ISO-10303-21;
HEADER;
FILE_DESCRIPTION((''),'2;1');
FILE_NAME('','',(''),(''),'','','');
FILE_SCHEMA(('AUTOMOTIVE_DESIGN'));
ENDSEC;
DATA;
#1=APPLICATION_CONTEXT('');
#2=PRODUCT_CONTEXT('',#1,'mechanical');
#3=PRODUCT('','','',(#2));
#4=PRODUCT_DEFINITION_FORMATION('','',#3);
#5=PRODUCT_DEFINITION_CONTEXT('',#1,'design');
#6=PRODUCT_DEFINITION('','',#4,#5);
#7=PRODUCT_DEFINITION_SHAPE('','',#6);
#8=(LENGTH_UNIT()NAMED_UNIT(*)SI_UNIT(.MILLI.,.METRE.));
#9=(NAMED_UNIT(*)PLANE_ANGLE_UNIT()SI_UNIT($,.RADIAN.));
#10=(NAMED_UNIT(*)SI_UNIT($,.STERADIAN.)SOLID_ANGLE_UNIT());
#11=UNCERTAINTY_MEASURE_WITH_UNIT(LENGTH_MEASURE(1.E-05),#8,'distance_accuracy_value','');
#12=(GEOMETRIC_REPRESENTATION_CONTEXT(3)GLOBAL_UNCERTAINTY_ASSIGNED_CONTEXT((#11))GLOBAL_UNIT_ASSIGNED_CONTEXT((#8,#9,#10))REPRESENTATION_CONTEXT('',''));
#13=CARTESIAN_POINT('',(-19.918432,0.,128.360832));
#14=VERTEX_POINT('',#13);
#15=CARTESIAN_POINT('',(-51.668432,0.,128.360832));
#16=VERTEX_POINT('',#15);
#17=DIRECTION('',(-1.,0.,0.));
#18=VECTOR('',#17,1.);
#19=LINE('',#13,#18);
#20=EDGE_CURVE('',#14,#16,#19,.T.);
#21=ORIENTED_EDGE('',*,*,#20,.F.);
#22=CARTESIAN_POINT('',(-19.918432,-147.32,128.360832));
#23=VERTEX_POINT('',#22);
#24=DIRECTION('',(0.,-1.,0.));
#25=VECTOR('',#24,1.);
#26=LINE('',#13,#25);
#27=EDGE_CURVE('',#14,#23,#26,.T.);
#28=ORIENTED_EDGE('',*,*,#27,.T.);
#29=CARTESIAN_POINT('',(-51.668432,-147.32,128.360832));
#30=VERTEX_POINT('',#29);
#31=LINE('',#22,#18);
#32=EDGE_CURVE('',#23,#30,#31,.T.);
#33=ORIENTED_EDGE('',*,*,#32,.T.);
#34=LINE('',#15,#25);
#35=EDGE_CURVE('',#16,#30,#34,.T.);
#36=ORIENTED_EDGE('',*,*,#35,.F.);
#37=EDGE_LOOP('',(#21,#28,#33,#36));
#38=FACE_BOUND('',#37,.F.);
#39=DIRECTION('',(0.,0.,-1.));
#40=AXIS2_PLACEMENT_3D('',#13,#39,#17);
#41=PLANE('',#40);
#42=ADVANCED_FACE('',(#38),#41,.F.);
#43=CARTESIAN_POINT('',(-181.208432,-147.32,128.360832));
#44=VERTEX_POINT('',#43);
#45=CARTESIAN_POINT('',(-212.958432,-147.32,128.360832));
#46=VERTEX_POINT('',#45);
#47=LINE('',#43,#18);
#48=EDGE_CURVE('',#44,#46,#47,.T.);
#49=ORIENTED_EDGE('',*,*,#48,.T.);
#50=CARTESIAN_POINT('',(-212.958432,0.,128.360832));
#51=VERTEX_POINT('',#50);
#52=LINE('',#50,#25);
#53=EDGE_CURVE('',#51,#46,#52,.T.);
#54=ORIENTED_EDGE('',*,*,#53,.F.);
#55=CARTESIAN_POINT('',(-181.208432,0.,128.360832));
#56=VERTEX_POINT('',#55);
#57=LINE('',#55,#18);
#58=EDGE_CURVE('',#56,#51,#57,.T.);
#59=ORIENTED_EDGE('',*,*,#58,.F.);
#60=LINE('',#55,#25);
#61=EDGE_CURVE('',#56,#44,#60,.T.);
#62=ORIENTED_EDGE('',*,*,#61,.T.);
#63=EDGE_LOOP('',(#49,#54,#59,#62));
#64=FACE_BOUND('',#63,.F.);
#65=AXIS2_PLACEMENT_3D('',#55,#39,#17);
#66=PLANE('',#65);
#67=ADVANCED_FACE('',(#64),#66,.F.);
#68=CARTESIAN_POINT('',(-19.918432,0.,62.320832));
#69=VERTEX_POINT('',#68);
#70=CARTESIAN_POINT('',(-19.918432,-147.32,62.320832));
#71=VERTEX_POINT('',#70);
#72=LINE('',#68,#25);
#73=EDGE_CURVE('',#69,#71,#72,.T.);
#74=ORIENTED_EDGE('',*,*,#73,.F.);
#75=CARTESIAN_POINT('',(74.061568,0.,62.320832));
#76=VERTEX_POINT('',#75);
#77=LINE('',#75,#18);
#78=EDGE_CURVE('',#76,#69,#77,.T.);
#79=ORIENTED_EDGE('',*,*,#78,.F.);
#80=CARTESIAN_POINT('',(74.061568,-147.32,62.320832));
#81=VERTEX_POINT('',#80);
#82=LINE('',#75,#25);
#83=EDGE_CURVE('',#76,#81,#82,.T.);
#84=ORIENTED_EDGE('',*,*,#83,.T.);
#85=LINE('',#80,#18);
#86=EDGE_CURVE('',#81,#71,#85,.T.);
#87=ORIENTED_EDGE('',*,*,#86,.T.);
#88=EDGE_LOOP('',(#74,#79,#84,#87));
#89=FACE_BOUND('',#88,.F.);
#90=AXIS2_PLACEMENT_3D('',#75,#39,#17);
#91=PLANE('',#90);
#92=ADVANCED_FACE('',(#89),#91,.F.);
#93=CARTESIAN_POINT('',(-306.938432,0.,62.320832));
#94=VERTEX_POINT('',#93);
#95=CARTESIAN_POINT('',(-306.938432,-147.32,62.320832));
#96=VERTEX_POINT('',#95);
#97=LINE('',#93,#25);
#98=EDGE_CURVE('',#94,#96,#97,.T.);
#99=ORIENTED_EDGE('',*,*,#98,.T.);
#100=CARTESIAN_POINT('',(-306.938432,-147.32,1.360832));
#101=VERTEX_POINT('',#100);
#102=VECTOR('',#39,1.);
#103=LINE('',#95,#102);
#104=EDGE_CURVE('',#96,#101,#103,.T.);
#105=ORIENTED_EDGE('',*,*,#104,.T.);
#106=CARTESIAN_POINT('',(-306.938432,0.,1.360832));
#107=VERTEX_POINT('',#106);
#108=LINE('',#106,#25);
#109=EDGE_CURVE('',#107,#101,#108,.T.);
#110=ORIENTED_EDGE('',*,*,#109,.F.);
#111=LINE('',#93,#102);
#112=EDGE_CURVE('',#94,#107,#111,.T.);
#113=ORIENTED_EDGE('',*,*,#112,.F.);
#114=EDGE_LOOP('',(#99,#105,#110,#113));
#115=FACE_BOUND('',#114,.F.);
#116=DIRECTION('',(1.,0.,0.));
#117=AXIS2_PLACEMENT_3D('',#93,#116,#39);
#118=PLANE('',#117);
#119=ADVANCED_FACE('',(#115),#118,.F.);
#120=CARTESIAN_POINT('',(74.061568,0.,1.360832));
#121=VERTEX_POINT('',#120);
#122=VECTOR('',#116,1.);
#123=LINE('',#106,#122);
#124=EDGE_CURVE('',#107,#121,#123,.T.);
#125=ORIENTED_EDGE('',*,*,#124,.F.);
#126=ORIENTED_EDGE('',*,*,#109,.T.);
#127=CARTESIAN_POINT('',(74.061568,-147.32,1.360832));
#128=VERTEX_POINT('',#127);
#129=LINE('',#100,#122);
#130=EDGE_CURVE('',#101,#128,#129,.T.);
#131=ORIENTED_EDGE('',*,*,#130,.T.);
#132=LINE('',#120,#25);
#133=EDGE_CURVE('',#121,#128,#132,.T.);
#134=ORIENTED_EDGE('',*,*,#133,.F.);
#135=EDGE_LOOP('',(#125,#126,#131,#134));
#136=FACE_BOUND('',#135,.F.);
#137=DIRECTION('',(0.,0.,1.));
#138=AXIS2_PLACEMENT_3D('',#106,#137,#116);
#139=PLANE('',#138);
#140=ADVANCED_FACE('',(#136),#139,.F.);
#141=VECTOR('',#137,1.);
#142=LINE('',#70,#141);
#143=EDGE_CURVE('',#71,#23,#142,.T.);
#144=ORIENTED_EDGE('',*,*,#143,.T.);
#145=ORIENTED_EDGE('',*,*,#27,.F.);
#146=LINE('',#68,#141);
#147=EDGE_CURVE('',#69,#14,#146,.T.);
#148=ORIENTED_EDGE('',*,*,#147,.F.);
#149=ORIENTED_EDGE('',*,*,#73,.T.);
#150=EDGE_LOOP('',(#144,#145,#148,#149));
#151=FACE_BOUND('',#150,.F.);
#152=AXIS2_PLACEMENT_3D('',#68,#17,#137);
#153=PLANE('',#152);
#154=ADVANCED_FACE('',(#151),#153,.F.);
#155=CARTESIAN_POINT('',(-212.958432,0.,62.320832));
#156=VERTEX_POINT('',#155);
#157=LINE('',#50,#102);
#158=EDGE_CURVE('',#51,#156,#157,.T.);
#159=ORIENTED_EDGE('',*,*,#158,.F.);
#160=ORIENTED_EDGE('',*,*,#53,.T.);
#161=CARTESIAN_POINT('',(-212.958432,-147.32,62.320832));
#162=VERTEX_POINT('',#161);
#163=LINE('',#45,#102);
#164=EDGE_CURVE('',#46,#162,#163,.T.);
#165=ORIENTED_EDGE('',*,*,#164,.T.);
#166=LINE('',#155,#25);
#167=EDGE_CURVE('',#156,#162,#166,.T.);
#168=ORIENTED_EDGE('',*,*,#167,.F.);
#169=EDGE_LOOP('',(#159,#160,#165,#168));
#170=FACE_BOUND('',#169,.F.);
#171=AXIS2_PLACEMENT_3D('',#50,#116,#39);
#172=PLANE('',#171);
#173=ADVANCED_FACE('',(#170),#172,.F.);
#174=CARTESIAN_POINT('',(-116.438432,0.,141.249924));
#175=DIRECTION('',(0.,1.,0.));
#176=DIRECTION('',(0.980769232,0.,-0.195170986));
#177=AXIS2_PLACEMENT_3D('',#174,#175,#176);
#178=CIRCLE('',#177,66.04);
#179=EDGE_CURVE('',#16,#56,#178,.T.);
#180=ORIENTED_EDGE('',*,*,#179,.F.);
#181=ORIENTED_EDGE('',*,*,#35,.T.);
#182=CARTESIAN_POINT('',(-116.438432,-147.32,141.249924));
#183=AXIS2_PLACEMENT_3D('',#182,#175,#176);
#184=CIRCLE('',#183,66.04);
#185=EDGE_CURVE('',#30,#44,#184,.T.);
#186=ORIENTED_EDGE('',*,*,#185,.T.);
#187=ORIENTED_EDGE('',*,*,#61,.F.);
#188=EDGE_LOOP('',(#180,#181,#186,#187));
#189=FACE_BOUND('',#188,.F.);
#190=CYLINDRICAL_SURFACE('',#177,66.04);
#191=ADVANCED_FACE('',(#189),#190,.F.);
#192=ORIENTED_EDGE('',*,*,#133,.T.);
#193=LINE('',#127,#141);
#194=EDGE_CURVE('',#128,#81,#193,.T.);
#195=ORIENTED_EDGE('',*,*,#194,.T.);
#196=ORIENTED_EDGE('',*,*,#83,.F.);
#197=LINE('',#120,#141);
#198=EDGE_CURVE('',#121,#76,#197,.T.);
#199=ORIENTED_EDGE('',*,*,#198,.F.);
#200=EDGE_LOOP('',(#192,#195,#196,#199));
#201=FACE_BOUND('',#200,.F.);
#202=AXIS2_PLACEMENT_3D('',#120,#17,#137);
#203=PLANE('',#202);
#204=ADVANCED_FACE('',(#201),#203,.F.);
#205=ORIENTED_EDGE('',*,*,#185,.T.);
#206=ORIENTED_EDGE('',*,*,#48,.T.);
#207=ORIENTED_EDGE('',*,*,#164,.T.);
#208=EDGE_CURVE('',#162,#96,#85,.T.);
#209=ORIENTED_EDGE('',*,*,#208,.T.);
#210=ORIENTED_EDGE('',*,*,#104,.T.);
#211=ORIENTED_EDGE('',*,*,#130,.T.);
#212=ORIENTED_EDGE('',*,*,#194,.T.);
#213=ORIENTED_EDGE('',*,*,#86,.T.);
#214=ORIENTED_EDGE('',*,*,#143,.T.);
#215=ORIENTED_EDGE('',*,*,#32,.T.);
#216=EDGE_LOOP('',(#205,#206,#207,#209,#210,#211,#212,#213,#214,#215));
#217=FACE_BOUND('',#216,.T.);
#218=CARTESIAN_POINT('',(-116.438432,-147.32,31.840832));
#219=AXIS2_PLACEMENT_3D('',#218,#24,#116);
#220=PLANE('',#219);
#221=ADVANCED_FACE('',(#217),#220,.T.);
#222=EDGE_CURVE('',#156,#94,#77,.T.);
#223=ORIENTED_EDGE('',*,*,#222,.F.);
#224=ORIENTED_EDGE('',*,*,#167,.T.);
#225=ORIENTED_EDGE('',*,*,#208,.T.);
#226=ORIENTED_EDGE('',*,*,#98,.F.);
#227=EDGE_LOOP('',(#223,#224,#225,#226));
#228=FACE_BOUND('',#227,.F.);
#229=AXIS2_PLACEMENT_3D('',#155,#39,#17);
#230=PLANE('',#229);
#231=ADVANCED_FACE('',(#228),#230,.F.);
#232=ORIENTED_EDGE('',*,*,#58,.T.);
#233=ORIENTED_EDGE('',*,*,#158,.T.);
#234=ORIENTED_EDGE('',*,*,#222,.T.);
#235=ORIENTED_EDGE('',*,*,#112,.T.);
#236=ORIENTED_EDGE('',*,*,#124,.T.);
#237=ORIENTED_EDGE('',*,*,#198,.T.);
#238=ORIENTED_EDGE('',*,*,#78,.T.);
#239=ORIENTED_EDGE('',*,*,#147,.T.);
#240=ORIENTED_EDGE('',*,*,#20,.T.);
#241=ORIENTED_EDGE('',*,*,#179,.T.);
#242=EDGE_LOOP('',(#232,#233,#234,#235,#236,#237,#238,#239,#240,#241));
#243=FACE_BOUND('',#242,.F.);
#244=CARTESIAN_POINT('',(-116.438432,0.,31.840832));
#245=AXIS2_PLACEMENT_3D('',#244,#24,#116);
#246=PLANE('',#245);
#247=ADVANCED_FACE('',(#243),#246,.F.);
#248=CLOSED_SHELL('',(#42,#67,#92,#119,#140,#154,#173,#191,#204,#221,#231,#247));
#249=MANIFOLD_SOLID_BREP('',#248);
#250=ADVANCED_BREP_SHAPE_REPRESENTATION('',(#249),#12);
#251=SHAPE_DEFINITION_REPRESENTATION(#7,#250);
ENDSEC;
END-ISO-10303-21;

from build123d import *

# Parameters (mm, degrees)
F1_DEPTH = 147.32


with BuildPart() as f1:
    # F0 (on Front) → F1 (new body)
    with BuildSketch(Plane.XZ):
        Polygon((-212.958432, 62.320832), (-306.938432, 62.320832), (-306.938432, 1.360832), (74.061568, 1.360832), (74.061568, 62.320832), (-19.918432, 62.320832), align=None)
        with BuildLine():
            Line((-212.958432, 128.360832), (-212.958432, 62.320832))
            Line((-212.958432, 62.320832), (-19.918432, 62.320832))
            Line((-19.918432, 62.320832), (-19.918432, 128.360832))
            Line((-19.918432, 128.360832), (-51.668432, 128.360832))
            ThreePointArc((-51.668432, 128.360832), (-116.438432, 75.209924), (-181.208432, 128.360832))
            Line((-181.208432, 128.360832), (-212.958432, 128.360832))
        make_face()
    extrude(amount=F1_DEPTH)


solid = f1.part
